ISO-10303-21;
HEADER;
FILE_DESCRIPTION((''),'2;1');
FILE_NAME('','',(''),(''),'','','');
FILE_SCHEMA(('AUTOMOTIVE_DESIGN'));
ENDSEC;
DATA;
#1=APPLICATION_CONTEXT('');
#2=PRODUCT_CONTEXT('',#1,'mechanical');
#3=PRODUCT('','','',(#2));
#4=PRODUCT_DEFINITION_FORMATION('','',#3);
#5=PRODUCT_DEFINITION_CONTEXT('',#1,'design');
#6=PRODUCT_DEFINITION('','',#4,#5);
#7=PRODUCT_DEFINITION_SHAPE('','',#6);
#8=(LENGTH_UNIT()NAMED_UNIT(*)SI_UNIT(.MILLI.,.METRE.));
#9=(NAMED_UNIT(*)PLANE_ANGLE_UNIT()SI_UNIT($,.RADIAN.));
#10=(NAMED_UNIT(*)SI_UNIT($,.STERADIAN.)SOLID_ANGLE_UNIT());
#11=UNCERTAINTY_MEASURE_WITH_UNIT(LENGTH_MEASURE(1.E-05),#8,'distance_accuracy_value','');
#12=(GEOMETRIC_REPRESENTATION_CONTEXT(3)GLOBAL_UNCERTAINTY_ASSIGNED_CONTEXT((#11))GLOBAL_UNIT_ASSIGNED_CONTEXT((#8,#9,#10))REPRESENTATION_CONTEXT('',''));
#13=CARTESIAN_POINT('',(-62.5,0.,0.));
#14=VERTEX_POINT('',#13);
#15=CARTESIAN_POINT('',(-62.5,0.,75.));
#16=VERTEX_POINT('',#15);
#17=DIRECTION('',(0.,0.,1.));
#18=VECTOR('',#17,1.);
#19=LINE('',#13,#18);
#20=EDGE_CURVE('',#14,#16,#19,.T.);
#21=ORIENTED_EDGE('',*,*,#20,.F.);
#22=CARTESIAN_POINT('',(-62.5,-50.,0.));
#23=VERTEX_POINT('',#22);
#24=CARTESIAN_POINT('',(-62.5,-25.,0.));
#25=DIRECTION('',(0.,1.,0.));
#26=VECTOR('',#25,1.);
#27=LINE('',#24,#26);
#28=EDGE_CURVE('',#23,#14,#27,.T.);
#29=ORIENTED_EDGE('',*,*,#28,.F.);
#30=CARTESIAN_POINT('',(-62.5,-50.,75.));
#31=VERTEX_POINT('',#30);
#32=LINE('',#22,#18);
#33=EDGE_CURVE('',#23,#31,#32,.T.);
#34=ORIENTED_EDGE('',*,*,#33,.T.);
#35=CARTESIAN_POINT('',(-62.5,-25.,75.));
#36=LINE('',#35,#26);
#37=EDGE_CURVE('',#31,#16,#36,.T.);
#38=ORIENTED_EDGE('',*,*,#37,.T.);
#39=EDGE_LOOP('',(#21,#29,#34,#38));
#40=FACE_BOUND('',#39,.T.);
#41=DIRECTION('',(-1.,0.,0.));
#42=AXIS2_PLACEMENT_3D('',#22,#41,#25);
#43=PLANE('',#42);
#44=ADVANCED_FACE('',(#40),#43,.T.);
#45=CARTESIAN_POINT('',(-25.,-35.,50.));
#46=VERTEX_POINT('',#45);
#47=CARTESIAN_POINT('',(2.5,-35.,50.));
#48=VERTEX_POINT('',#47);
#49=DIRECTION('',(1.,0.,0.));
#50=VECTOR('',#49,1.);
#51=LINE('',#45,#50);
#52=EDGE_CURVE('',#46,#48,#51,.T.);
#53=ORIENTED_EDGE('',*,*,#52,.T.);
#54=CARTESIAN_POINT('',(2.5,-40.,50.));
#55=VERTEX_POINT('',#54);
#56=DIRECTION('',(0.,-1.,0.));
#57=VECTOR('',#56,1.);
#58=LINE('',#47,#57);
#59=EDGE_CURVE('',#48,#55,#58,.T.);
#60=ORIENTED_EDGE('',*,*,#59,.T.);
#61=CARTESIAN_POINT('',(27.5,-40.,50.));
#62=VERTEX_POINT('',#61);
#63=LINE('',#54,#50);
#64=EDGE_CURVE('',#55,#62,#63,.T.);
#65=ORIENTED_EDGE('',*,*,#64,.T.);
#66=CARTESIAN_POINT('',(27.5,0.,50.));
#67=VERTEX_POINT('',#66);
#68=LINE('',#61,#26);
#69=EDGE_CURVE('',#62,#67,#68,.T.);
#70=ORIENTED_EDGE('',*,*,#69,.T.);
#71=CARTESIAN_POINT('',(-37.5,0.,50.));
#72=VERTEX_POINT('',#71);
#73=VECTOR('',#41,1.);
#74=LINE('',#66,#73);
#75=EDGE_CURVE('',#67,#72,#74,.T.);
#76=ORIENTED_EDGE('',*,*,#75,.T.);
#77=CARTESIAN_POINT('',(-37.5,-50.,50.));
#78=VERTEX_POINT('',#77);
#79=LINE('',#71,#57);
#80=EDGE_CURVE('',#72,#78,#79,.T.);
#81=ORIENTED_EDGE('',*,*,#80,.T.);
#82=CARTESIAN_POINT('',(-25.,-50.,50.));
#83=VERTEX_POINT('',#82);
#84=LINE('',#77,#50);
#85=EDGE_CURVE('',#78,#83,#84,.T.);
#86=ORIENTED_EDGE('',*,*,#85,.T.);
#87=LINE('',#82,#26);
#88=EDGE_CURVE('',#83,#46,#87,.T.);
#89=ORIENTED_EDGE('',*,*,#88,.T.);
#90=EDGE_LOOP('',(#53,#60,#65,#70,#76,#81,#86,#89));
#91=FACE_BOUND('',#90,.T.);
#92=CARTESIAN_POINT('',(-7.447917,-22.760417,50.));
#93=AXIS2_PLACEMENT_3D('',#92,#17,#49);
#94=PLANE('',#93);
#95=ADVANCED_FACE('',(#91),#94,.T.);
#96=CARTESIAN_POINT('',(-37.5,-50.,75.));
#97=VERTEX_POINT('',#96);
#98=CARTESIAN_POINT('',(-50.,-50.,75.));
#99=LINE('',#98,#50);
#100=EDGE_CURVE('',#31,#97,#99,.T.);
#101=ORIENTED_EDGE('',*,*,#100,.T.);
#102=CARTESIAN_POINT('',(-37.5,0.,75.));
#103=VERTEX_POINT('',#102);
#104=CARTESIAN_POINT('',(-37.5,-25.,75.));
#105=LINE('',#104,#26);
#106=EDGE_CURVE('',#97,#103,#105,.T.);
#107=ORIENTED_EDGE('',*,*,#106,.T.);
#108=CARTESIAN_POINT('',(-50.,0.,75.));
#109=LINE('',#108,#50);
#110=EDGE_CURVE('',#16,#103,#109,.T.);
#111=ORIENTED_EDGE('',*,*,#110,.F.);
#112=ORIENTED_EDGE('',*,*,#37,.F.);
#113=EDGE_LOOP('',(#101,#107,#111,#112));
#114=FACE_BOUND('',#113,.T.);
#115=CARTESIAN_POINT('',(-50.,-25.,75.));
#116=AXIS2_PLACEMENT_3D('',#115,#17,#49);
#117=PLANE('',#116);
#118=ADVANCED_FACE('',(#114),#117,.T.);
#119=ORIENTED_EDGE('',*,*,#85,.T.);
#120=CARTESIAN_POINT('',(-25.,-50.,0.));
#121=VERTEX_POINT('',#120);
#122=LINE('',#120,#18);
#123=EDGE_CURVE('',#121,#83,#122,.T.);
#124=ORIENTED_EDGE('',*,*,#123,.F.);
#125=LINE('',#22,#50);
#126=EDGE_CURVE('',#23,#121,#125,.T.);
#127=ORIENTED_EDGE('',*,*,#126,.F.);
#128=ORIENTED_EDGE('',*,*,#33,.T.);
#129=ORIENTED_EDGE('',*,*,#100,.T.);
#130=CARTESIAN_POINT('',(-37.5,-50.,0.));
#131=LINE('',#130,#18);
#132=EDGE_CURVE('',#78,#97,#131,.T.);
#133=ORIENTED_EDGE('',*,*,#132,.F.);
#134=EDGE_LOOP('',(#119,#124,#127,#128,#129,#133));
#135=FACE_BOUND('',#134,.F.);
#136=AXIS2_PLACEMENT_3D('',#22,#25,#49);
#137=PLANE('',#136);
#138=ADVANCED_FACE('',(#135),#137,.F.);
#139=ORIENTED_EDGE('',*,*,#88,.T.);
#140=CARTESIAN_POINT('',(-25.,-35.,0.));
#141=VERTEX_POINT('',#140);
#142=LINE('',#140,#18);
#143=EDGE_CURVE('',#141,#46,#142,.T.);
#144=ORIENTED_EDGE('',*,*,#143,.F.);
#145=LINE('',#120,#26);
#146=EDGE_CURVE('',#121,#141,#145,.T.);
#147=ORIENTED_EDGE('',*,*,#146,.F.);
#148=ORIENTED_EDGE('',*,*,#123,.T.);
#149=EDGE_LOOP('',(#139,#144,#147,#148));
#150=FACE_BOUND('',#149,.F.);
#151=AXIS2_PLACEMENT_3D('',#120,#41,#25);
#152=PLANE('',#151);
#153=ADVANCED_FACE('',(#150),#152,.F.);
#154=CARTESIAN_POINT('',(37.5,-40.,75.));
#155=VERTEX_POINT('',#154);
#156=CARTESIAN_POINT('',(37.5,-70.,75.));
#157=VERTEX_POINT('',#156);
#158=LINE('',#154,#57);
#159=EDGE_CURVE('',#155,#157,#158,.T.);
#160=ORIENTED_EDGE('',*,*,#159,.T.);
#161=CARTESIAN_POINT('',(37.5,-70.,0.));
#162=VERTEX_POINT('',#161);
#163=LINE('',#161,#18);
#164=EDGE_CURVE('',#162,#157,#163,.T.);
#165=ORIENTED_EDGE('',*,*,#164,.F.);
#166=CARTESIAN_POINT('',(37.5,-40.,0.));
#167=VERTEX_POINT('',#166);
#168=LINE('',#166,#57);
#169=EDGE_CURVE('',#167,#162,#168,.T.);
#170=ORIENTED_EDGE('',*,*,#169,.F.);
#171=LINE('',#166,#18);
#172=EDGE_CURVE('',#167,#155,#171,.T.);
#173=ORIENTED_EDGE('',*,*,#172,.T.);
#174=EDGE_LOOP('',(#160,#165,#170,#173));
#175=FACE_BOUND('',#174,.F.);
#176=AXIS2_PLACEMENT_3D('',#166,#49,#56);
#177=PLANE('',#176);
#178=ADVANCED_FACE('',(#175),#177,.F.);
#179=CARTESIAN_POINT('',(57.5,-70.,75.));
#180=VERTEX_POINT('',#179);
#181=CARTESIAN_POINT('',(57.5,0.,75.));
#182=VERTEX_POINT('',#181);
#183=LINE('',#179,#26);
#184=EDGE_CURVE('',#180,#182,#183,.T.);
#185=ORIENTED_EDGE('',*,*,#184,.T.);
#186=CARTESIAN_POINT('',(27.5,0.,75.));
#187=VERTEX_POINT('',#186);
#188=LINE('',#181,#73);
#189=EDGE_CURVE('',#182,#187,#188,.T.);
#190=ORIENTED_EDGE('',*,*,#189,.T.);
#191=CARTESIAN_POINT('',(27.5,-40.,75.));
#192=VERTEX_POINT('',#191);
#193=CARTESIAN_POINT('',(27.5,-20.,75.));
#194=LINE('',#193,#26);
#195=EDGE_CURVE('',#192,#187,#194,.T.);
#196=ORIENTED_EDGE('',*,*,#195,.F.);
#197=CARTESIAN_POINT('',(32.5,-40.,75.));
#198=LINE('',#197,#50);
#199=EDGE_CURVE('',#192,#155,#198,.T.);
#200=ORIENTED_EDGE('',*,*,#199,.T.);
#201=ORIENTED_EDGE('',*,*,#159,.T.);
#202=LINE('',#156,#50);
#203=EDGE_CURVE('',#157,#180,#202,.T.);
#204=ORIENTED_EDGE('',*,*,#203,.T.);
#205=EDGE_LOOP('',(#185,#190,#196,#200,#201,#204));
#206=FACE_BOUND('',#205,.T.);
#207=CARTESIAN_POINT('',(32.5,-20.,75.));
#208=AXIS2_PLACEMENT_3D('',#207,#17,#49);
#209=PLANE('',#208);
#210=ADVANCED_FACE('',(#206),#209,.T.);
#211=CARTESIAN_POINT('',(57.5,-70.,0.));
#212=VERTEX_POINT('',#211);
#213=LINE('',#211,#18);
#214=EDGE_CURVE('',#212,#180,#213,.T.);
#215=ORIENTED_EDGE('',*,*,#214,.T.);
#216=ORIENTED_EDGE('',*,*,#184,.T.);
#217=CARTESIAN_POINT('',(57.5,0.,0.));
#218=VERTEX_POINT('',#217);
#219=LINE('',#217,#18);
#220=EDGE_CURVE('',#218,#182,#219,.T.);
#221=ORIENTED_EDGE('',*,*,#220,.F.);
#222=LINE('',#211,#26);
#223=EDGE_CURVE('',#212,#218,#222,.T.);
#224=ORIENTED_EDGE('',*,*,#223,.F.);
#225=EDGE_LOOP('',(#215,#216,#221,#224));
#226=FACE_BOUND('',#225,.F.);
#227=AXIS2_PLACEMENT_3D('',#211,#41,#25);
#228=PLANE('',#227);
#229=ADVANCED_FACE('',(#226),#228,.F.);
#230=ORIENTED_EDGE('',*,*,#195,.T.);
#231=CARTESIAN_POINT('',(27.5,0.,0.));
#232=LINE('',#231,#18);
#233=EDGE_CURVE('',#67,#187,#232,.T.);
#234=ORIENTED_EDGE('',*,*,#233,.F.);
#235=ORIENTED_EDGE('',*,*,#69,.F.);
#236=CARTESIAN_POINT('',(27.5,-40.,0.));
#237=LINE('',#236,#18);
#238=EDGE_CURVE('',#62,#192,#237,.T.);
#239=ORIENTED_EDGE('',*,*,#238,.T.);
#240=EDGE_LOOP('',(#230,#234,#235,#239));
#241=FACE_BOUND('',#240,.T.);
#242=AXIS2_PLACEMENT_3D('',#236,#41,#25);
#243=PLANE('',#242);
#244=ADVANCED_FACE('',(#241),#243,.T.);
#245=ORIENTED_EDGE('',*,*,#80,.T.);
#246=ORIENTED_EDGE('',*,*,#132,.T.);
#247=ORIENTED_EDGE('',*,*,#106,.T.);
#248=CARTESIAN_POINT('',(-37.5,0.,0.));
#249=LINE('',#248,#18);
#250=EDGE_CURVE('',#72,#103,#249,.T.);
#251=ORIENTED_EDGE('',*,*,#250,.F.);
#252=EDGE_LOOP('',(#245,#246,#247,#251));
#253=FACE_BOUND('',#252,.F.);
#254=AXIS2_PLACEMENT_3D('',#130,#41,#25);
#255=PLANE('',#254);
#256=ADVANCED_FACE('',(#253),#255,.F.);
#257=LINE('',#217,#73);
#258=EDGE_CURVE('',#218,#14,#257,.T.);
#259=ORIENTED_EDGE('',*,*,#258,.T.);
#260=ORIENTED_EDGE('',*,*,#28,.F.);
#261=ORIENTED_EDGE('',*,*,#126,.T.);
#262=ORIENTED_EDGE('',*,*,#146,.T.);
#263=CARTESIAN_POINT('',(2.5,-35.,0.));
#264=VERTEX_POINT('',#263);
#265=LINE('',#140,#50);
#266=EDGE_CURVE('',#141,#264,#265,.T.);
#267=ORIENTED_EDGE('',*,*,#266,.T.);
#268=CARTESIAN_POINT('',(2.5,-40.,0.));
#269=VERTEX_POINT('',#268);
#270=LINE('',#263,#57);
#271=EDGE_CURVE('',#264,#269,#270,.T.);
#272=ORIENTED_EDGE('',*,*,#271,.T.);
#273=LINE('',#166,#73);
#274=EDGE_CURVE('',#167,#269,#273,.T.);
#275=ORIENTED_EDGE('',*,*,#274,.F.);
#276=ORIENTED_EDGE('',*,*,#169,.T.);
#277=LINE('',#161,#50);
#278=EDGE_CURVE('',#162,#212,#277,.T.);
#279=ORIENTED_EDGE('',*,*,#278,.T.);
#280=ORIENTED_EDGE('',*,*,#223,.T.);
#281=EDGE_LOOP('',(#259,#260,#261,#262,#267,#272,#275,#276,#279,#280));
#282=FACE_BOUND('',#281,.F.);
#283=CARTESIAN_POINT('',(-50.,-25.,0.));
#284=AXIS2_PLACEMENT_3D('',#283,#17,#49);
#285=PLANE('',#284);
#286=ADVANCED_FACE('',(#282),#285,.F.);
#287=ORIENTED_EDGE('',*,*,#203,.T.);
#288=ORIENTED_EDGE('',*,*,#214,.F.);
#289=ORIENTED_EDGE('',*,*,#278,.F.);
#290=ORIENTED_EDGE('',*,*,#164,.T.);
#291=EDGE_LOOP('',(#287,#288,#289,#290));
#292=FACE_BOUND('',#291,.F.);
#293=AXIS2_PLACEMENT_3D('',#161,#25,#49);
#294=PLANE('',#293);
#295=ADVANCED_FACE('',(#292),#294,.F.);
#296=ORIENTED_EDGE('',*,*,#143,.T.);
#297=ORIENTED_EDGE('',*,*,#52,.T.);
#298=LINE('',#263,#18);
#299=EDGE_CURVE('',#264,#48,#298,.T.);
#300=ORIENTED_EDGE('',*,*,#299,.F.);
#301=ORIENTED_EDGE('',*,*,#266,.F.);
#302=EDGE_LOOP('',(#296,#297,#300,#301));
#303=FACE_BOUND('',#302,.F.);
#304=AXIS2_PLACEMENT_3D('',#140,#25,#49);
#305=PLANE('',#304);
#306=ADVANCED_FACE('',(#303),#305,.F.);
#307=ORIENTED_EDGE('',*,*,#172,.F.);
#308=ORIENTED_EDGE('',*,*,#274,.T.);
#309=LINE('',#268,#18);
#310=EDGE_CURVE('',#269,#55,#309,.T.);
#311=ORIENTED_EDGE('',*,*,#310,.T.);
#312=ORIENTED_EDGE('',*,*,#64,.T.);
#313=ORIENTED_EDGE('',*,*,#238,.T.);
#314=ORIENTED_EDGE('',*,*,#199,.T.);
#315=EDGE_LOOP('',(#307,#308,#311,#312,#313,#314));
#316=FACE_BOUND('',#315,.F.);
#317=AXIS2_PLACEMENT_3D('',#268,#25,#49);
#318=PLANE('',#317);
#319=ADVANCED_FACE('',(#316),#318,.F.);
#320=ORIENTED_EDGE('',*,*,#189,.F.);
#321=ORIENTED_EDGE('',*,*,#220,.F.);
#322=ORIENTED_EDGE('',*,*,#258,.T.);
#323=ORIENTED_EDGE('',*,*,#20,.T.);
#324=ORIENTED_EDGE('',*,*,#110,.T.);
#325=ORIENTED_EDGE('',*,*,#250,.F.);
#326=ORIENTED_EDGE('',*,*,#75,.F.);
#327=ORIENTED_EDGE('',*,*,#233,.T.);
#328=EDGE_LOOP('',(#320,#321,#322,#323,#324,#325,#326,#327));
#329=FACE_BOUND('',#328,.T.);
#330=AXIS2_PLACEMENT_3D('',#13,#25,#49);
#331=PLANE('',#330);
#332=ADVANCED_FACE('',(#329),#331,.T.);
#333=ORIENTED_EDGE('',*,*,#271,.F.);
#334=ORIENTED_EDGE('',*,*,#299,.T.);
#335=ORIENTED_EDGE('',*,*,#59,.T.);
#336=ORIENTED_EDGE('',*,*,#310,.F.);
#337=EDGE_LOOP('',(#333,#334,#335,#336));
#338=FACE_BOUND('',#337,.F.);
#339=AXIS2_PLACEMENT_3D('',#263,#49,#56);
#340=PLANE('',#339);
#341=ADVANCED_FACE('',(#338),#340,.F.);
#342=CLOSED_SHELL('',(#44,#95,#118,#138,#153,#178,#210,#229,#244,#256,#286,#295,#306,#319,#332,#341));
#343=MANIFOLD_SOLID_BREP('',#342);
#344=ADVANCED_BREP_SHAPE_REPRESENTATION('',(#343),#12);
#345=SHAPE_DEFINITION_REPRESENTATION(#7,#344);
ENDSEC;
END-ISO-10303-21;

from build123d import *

# Parameters (mm, degrees)
F1_DEPTH = 50
F0_W     = 25
F0_H     = 50
F0_W_2   = 10
F0_H_2   = 40
F2_DEPTH = 75


with BuildPart() as f1:
    # F0 (on Top) → F1 (new body)
    with BuildSketch(Plane.XY):
        Polygon((27.5, 0), (-37.5, 0), (-37.5, -50), (-25, -50), (-25, -35), (2.5, -35), (2.5, -40), (27.5, -40), align=None)
    extrude(amount=F1_DEPTH)

    # F0 (on Top) → F2 (join)
    with BuildSketch(Plane.XY):
        with Locations((-50, -25)):
            Rectangle(F0_W, F0_H)
        with Locations((32.5, -20)):
            Rectangle(F0_W_2, F0_H_2)
        Polygon((57.5, 0), (37.5, 0), (37.5, -40), (37.5, -70), (57.5, -70), align=None)
    extrude(amount=F2_DEPTH)


solid = f1.part
